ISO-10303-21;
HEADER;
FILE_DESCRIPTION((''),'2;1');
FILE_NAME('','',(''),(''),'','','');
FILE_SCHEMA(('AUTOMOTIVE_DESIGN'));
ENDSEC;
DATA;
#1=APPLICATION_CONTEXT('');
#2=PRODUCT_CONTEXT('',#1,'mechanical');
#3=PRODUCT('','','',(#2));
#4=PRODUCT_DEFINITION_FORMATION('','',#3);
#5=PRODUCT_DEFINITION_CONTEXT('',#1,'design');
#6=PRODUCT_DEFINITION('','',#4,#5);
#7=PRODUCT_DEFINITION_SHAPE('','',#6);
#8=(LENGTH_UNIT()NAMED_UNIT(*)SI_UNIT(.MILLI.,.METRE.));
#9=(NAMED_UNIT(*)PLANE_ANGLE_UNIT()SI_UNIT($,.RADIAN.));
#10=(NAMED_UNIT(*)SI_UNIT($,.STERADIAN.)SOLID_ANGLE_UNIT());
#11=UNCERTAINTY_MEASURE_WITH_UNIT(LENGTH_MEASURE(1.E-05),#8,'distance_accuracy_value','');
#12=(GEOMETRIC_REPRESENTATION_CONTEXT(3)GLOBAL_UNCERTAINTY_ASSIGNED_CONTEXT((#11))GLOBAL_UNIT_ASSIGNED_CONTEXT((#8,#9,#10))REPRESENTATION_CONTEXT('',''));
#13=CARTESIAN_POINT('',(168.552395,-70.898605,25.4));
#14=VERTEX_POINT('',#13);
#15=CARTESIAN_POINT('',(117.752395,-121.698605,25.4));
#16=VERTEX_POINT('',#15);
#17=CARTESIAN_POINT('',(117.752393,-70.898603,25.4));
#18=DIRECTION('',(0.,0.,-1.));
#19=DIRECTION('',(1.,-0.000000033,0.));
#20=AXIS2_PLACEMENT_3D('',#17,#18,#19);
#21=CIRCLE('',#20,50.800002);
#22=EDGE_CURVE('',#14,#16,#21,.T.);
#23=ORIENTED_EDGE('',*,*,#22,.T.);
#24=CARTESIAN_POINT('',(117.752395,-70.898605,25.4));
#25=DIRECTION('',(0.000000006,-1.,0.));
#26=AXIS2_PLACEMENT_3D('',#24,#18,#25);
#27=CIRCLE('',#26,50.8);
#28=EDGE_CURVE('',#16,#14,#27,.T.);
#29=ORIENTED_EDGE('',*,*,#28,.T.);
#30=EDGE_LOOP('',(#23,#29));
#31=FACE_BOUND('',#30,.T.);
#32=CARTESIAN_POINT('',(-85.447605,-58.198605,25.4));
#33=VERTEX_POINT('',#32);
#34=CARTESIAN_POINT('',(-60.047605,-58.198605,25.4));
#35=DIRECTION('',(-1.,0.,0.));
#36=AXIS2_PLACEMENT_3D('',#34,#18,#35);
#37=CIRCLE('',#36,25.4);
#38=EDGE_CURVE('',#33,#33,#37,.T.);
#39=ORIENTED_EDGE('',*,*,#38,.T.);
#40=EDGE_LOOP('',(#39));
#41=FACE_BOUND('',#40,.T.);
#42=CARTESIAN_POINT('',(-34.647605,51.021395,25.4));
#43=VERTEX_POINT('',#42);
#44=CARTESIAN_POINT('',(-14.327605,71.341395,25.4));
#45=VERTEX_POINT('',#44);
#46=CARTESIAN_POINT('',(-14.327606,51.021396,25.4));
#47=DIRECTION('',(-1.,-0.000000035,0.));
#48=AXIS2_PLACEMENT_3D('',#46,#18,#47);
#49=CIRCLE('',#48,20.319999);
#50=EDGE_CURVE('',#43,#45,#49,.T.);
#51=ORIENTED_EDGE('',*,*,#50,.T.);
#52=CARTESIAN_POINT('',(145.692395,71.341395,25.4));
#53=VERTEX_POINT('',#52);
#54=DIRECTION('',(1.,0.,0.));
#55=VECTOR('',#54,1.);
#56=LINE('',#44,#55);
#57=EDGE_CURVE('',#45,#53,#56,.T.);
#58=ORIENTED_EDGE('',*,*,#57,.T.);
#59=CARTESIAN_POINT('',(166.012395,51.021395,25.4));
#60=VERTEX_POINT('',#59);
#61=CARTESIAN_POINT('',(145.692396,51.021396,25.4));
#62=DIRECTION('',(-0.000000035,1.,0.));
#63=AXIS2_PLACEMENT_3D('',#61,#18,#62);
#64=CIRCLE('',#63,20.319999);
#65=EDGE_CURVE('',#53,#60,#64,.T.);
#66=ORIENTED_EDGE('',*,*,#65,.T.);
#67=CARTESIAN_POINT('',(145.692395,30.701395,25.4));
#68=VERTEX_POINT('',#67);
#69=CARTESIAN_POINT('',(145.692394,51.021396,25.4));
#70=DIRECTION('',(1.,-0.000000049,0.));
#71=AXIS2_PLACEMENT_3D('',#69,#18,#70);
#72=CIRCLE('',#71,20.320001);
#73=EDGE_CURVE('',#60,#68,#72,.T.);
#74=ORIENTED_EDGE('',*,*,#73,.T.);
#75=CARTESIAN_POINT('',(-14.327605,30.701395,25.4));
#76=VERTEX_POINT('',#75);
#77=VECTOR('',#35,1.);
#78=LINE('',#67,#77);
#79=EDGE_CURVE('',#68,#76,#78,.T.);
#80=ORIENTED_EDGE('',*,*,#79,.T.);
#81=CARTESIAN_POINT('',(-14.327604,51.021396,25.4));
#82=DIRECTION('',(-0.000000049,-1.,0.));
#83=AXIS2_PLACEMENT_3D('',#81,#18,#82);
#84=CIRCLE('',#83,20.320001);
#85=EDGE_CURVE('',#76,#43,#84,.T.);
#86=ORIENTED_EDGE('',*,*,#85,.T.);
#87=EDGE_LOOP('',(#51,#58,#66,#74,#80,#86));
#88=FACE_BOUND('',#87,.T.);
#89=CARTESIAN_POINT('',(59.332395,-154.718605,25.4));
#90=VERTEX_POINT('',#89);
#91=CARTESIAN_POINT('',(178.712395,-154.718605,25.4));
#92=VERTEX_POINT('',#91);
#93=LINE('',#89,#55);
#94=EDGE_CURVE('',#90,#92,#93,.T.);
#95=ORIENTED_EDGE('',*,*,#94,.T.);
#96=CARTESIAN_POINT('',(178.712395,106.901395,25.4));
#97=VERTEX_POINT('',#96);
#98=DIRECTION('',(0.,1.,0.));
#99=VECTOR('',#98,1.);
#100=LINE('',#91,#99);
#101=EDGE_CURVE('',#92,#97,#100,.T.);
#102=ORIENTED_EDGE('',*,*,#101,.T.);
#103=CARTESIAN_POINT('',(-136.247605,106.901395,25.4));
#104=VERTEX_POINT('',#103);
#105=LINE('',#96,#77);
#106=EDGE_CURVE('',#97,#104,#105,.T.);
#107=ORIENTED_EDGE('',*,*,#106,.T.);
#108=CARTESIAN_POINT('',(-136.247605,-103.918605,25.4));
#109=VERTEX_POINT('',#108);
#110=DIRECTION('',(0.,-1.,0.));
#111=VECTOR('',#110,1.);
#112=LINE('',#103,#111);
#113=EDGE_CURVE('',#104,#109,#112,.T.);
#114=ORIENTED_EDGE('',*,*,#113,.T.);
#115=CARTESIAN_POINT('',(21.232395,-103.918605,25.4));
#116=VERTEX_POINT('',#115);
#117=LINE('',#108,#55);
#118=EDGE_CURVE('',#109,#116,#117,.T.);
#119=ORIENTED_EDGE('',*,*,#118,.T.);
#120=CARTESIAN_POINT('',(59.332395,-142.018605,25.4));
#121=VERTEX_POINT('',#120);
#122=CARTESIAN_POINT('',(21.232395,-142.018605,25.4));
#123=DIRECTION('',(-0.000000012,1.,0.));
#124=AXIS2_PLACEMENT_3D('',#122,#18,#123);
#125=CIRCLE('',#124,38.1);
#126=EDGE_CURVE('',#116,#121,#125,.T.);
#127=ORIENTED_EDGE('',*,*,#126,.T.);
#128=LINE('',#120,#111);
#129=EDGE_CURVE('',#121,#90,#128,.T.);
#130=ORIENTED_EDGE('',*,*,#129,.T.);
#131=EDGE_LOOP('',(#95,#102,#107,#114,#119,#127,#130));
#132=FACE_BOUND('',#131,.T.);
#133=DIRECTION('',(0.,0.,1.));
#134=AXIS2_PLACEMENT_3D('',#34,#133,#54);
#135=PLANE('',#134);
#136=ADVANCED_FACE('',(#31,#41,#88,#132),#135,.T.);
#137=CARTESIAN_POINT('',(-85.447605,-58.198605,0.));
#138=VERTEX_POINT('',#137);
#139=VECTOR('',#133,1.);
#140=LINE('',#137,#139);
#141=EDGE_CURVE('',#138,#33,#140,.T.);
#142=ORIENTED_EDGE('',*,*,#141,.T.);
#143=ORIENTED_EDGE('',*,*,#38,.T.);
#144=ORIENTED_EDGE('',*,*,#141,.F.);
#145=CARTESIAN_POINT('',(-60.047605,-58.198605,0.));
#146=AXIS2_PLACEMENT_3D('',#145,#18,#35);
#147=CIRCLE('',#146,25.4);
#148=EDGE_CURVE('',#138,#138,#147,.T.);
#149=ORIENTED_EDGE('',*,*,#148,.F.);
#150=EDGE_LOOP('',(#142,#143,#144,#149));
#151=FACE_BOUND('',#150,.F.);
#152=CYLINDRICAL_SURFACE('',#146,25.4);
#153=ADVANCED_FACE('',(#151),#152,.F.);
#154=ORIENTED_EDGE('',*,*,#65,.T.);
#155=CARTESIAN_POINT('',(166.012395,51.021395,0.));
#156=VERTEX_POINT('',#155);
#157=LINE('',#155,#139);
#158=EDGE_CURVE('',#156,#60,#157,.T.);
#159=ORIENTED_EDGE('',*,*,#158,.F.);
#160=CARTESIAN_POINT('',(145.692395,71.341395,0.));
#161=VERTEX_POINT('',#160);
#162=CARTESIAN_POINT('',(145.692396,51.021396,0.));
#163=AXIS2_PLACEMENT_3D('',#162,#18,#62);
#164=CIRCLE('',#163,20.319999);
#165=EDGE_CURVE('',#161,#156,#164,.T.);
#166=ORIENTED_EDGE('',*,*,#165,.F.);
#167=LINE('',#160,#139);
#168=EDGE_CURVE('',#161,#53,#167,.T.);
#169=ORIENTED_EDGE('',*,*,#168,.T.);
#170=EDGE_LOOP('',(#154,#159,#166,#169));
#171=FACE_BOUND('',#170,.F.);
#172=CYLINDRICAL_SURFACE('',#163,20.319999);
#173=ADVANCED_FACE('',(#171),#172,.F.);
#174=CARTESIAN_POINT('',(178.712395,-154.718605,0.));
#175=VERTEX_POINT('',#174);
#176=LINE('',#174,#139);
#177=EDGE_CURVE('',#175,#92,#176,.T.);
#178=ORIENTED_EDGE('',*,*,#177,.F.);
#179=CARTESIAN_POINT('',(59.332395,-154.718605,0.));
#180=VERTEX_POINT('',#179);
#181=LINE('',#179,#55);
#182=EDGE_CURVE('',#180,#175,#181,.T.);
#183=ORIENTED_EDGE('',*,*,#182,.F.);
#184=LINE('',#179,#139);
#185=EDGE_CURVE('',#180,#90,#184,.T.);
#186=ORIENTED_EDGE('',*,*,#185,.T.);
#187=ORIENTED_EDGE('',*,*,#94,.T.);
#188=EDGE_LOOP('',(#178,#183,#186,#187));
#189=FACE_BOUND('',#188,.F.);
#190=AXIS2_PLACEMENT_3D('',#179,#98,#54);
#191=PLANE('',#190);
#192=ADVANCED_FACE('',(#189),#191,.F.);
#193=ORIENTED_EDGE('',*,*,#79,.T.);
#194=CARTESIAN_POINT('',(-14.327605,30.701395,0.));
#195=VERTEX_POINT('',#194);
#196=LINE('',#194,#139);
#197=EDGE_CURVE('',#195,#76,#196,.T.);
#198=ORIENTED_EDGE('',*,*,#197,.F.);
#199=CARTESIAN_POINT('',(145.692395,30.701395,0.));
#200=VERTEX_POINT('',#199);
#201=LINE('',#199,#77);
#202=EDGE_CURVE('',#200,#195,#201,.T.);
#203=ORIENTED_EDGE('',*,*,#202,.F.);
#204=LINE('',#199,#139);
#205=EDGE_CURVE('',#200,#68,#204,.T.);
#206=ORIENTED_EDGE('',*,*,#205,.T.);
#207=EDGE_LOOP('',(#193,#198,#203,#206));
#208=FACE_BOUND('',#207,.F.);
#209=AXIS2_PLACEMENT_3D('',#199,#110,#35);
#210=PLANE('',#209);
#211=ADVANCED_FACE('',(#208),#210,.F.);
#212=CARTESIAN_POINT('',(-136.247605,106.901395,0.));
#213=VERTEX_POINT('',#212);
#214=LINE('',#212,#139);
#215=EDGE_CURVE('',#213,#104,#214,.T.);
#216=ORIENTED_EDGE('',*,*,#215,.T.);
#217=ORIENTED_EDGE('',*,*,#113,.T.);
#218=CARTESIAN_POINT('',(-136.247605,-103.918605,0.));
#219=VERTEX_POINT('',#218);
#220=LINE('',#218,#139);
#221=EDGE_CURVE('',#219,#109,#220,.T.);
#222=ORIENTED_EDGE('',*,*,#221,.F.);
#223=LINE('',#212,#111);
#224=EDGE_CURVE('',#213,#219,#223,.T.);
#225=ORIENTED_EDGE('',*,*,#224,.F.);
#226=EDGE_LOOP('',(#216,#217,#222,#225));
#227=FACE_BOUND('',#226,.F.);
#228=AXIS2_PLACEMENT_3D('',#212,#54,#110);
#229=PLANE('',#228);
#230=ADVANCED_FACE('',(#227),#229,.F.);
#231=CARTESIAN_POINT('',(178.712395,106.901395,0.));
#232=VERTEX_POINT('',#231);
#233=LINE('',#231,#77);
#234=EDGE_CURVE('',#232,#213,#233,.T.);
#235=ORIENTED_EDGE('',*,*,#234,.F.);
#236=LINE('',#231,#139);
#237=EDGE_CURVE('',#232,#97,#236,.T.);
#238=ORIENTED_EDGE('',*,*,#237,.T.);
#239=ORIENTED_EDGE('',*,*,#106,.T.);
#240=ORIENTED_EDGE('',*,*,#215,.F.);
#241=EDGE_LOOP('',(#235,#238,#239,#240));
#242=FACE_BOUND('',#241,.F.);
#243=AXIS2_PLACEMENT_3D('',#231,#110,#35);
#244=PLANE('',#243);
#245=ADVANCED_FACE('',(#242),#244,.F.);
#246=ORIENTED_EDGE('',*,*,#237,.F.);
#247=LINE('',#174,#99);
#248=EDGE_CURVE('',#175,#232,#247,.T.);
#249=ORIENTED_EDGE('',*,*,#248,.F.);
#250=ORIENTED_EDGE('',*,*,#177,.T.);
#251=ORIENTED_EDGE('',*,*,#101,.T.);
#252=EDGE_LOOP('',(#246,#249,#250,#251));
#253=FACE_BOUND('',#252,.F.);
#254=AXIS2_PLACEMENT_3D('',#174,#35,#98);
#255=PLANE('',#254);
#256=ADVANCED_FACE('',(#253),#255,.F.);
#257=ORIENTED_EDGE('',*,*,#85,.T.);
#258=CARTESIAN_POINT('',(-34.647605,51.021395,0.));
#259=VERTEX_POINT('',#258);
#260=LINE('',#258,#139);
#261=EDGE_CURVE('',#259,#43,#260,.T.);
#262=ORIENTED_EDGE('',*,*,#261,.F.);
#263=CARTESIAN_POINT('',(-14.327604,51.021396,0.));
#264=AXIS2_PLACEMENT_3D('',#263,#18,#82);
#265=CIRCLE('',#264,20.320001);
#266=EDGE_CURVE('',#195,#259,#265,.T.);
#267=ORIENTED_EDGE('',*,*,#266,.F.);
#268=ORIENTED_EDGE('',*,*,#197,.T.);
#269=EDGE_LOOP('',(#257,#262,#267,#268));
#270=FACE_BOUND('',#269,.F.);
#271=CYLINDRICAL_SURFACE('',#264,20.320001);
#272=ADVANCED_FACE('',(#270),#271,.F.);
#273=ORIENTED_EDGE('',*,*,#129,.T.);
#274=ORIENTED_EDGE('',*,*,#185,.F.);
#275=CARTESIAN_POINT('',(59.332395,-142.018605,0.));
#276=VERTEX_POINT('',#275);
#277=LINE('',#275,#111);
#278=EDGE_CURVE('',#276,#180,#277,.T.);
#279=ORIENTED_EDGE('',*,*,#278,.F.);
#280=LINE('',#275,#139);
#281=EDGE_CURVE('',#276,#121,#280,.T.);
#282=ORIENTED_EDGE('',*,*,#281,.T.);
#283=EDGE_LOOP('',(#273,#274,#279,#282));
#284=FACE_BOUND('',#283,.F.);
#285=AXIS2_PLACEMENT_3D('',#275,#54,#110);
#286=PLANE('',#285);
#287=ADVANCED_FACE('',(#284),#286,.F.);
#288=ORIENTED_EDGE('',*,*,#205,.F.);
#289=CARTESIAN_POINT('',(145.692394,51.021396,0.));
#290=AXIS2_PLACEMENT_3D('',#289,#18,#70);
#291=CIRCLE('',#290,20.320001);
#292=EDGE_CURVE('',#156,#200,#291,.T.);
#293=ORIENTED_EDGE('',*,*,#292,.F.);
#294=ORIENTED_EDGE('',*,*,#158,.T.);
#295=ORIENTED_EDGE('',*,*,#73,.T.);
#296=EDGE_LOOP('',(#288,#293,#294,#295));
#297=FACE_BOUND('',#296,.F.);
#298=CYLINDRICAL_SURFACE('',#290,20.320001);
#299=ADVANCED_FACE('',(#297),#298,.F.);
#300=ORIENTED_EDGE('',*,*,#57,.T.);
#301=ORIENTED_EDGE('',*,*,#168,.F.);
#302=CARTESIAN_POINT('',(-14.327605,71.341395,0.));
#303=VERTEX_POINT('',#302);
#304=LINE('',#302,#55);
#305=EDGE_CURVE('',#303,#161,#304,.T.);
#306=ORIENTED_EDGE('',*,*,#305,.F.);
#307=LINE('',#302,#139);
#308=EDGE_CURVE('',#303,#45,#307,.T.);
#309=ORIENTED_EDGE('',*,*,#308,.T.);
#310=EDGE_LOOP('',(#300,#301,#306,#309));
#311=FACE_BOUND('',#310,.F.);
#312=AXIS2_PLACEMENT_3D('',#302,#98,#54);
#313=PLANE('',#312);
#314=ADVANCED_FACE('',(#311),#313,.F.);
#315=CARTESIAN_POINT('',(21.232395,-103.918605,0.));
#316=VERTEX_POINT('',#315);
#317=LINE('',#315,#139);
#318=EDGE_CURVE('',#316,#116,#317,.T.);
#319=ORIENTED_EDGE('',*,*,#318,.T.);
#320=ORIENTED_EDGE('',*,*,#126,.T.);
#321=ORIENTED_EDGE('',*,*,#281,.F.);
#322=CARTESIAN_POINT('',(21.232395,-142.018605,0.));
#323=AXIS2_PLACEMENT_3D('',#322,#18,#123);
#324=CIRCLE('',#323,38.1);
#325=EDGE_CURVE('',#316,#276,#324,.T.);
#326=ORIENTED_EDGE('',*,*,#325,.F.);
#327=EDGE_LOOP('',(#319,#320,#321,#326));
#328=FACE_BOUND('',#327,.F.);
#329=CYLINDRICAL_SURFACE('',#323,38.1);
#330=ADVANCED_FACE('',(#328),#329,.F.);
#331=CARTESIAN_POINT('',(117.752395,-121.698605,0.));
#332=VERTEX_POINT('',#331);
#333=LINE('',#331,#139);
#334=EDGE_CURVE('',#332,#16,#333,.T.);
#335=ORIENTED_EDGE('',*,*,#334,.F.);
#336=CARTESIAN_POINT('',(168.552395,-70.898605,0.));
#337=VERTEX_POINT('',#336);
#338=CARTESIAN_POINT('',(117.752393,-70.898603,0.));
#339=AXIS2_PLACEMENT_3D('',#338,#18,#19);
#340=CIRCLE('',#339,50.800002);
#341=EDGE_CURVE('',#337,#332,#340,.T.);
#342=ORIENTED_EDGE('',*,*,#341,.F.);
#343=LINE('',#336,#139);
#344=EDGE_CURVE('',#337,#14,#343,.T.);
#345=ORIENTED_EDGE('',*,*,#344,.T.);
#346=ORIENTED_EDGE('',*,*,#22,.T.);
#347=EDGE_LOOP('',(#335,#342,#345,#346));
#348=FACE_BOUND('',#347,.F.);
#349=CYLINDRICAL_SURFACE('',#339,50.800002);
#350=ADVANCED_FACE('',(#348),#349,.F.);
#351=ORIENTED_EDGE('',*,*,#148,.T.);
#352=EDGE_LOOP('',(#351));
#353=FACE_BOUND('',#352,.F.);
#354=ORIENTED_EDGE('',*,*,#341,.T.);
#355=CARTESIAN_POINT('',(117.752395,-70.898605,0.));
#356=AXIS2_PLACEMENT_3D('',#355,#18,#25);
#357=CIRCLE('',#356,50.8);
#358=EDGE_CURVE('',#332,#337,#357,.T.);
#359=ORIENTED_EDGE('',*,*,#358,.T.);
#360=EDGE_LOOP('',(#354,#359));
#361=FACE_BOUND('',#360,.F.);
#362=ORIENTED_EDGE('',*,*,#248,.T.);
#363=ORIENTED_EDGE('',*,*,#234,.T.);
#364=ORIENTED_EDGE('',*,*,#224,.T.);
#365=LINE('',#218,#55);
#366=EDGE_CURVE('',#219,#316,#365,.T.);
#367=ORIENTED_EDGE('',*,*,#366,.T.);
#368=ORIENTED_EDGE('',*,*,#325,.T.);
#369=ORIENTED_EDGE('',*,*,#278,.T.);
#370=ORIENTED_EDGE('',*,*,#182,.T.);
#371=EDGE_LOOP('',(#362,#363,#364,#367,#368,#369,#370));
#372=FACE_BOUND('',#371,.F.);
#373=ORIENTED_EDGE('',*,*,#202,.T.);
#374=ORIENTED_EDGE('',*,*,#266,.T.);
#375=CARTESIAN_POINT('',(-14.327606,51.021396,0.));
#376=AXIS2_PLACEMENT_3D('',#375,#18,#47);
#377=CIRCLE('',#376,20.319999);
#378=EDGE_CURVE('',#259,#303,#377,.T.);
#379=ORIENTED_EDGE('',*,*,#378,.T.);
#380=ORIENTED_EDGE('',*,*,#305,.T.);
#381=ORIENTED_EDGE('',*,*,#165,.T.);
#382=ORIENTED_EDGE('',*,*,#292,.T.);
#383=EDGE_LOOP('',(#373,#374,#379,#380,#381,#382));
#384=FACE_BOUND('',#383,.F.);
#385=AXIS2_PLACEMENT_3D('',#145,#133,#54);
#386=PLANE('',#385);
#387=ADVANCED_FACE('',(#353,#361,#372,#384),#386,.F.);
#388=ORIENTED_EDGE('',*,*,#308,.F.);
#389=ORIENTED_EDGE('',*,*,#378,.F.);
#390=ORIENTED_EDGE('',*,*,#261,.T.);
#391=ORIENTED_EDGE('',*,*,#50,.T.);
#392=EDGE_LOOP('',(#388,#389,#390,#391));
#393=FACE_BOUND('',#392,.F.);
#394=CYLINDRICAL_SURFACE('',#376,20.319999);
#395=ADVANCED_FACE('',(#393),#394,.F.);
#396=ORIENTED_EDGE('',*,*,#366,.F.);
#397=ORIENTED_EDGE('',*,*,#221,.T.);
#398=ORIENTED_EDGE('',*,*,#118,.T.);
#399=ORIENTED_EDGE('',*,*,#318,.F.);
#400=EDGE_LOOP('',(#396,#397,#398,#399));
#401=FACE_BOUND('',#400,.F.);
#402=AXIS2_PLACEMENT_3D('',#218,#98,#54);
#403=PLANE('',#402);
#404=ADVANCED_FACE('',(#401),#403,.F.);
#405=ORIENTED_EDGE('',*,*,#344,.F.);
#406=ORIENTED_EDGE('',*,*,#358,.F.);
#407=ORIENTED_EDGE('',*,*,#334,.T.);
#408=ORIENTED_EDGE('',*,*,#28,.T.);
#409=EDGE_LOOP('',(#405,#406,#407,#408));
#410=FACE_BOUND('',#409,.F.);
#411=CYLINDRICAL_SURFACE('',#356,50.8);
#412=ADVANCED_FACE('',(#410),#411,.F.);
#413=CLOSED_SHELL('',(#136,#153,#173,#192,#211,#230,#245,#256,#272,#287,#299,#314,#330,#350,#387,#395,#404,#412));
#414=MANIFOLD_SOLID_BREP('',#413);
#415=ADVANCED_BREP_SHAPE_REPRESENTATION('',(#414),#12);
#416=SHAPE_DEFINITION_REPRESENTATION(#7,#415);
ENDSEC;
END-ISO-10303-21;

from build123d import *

# Parameters (mm, degrees)
F1_DEPTH = 25.4


with BuildPart() as f1:
    # F0 (on Top) → F1 (new body)
    with BuildSketch(Plane.XY):
        with BuildLine():
            ThreePointArc((-34.647605, -58.198605), (-60.047605, -32.798605), (-85.447605, -58.198605))
            ThreePointArc((-85.447605, -58.198605), (-60.047605, -83.598605), (-34.647605, -58.198605))
        make_face()
        with BuildLine():
            ThreePointArc((168.552395, -70.898605), (81.83137, -34.97758), (117.752395, -121.698605))
            ThreePointArc((117.752395, -121.698605), (153.673419, -106.819629), (168.552395, -70.898605))
        make_face()
        with BuildLine():
            Line((178.712395, 106.901395), (-136.247605, 106.901395))
            Line((-136.247605, 106.901395), (-136.247605, -58.198605))
            Line((-136.247605, -58.198605), (-136.247605, -103.918605))
            Line((-136.247605, -103.918605), (21.232395, -103.918605))
            ThreePointArc((21.232395, -103.918605), (48.173163, -115.077836), (59.332395, -142.018605))
            Line((59.332395, -142.018605), (59.332395, -154.718605))
            Line((59.332395, -154.718605), (117.752395, -154.718605))
            Line((117.752395, -154.718605), (178.712395, -154.718605))
            Line((178.712395, -154.718605), (178.712395, 30.701395))
            Line((178.712395, 30.701395), (178.712395, 106.901395))
        make_face()
        with BuildLine():
            ThreePointArc((-34.647605, -58.198605), (-60.047605, -83.598605), (-85.447605, -58.198605))
            ThreePointArc((-85.447605, -58.198605), (-60.047605, -32.798605), (-34.647605, -58.198605))
        make_face(mode=Mode.SUBTRACT)
        with BuildLine():
            ThreePointArc((168.552395, -70.898605), (153.673419, -106.819629), (117.752395, -121.698605))
            ThreePointArc((117.752395, -121.698605), (81.83137, -34.97758), (168.552395, -70.898605))
        make_face(mode=Mode.SUBTRACT)
        with BuildLine():
            Line((-14.327605, 71.341395), (145.692395, 71.341395))
            ThreePointArc((145.692395, 71.341395), (160.060805, 65.389805), (166.012395, 51.021395))
            ThreePointArc((166.012395, 51.021395), (160.060805, 36.652986), (145.692395, 30.701395))
            Line((145.692395, 30.701395), (-14.327605, 30.701395))
            ThreePointArc((-14.327605, 30.701395), (-28.696015, 36.652986), (-34.647605, 51.021395))
            ThreePointArc((-34.647605, 51.021395), (-28.696015, 65.389805), (-14.327605, 71.341395))
        make_face(mode=Mode.SUBTRACT)
    extrude(amount=F1_DEPTH)


solid = f1.part
